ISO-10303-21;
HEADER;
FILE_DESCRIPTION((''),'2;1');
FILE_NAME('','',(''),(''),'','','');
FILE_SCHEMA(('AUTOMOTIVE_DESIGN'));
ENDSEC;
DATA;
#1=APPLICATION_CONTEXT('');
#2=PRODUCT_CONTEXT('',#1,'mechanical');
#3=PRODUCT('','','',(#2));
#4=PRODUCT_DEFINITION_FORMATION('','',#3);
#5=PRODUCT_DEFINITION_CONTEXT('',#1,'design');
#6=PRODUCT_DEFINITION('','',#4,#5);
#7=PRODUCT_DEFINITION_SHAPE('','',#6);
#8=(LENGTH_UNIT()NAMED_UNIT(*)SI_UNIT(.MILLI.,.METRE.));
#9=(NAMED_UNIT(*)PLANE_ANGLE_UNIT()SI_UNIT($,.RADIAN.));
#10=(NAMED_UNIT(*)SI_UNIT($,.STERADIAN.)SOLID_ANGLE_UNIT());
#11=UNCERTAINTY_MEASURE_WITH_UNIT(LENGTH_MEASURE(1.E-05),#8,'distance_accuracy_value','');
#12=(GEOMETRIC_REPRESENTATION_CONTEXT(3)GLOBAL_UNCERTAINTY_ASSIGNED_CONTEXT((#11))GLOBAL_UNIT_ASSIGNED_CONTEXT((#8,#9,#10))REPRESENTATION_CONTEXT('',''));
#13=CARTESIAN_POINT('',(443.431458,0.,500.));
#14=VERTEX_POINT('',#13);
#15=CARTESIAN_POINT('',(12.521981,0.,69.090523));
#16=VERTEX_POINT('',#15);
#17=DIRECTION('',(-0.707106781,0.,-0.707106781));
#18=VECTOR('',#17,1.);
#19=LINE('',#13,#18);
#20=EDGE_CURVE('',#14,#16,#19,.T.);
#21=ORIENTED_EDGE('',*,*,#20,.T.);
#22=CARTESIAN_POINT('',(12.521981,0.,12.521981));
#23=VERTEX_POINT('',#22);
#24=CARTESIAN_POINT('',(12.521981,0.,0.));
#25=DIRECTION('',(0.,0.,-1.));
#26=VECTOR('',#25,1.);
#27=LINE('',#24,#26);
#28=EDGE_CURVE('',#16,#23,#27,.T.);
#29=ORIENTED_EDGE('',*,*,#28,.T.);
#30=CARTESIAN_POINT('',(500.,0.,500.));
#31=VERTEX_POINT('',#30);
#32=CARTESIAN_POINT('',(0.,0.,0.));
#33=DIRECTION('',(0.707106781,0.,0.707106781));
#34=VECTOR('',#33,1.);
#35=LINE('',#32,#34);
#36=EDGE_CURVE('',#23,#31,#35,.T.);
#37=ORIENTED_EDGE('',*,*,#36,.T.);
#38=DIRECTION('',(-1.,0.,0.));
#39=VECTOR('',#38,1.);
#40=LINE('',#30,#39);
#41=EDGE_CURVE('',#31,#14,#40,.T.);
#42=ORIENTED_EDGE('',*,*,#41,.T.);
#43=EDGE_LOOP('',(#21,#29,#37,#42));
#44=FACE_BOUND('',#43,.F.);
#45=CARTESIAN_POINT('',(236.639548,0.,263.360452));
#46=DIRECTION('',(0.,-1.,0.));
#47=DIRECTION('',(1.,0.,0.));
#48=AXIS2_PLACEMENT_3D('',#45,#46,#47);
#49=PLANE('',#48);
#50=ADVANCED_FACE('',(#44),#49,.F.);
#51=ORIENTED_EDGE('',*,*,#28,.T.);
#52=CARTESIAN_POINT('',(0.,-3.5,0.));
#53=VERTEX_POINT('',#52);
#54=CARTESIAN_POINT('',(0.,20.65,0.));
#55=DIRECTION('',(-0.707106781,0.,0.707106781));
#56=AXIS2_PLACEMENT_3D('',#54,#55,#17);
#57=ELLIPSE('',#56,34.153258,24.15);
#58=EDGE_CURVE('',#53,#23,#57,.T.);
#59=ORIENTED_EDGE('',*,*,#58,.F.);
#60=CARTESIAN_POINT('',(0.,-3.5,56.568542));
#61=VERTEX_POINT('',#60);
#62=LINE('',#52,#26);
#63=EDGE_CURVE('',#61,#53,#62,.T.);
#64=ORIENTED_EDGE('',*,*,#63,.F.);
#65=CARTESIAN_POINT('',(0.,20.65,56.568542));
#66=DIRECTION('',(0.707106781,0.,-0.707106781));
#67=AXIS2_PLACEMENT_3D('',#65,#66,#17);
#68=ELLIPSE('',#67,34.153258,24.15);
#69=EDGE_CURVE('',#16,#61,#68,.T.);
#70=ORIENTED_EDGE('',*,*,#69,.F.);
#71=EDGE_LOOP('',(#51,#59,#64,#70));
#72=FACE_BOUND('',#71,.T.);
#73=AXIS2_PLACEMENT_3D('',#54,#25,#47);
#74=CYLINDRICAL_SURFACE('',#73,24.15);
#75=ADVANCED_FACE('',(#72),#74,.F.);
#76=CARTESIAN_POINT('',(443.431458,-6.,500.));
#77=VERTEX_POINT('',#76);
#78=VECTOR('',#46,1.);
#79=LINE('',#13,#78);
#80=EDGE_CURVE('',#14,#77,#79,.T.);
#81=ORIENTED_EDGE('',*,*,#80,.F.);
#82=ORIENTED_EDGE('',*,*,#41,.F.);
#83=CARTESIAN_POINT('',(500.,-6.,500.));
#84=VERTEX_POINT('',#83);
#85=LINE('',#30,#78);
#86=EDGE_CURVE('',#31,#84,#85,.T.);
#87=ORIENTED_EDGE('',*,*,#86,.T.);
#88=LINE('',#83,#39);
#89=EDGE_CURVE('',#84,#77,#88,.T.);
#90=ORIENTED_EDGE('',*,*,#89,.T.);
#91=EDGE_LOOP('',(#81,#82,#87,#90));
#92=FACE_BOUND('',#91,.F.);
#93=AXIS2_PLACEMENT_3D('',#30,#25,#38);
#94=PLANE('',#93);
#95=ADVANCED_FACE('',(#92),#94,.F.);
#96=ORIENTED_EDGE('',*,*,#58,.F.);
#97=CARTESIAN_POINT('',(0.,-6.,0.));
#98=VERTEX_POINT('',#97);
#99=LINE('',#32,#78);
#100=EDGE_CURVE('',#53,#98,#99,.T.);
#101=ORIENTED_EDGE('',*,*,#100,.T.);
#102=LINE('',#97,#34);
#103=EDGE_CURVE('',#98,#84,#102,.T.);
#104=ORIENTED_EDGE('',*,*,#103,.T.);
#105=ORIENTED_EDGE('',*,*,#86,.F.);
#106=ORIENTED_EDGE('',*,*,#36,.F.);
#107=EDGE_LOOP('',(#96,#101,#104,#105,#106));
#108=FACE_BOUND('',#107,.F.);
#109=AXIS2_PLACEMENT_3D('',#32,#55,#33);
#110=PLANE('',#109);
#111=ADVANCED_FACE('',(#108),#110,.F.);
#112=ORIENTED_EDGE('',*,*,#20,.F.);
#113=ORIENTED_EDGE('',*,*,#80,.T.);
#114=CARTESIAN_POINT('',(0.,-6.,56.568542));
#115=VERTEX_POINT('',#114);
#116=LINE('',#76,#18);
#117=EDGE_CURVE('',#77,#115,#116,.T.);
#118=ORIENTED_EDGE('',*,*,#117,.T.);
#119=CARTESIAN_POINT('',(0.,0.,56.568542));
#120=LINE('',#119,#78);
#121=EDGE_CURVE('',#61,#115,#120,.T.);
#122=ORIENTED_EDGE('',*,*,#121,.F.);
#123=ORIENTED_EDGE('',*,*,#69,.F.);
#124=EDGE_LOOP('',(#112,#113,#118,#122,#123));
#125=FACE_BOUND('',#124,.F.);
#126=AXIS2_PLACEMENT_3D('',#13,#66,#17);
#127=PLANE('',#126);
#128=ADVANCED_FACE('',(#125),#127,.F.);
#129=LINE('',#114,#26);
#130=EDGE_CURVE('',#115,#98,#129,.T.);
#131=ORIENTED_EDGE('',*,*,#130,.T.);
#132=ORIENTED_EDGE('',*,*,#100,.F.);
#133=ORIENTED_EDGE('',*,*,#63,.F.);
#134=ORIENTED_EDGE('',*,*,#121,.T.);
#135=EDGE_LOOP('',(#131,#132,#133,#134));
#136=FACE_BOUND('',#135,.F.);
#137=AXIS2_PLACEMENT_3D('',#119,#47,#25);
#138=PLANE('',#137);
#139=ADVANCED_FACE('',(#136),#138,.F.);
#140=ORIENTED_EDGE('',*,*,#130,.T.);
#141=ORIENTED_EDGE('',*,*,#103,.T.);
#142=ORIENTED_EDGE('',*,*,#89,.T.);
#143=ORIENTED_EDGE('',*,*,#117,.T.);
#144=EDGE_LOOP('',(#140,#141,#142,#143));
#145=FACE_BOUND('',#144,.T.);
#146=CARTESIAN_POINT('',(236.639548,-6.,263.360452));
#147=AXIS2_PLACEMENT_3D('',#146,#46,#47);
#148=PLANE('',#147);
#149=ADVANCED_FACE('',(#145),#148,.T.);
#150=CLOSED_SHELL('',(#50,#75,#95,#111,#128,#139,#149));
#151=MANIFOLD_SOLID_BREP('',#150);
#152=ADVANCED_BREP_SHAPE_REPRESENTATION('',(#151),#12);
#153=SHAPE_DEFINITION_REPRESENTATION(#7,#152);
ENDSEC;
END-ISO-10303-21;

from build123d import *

# Parameters (mm, degrees)
F1_DEPTH = 6
F2_R     = 24.15
F3_DEPTH = 500.001


with BuildPart() as f1:
    # F0 (on Front) → F1 (new body)
    with BuildSketch(Plane.XZ):
        Polygon((0, 56.568542), (0, 0), (500, 500), (443.431458, 500), align=None)
    extrude(amount=F1_DEPTH)

    # F2 (on Top) → F3 (cut, through all)
    with BuildSketch(Plane.XY):
        with Locations((0, 20.65)):
            Circle(F2_R)
    extrude(amount=F3_DEPTH, mode=Mode.SUBTRACT)


solid = f1.part
